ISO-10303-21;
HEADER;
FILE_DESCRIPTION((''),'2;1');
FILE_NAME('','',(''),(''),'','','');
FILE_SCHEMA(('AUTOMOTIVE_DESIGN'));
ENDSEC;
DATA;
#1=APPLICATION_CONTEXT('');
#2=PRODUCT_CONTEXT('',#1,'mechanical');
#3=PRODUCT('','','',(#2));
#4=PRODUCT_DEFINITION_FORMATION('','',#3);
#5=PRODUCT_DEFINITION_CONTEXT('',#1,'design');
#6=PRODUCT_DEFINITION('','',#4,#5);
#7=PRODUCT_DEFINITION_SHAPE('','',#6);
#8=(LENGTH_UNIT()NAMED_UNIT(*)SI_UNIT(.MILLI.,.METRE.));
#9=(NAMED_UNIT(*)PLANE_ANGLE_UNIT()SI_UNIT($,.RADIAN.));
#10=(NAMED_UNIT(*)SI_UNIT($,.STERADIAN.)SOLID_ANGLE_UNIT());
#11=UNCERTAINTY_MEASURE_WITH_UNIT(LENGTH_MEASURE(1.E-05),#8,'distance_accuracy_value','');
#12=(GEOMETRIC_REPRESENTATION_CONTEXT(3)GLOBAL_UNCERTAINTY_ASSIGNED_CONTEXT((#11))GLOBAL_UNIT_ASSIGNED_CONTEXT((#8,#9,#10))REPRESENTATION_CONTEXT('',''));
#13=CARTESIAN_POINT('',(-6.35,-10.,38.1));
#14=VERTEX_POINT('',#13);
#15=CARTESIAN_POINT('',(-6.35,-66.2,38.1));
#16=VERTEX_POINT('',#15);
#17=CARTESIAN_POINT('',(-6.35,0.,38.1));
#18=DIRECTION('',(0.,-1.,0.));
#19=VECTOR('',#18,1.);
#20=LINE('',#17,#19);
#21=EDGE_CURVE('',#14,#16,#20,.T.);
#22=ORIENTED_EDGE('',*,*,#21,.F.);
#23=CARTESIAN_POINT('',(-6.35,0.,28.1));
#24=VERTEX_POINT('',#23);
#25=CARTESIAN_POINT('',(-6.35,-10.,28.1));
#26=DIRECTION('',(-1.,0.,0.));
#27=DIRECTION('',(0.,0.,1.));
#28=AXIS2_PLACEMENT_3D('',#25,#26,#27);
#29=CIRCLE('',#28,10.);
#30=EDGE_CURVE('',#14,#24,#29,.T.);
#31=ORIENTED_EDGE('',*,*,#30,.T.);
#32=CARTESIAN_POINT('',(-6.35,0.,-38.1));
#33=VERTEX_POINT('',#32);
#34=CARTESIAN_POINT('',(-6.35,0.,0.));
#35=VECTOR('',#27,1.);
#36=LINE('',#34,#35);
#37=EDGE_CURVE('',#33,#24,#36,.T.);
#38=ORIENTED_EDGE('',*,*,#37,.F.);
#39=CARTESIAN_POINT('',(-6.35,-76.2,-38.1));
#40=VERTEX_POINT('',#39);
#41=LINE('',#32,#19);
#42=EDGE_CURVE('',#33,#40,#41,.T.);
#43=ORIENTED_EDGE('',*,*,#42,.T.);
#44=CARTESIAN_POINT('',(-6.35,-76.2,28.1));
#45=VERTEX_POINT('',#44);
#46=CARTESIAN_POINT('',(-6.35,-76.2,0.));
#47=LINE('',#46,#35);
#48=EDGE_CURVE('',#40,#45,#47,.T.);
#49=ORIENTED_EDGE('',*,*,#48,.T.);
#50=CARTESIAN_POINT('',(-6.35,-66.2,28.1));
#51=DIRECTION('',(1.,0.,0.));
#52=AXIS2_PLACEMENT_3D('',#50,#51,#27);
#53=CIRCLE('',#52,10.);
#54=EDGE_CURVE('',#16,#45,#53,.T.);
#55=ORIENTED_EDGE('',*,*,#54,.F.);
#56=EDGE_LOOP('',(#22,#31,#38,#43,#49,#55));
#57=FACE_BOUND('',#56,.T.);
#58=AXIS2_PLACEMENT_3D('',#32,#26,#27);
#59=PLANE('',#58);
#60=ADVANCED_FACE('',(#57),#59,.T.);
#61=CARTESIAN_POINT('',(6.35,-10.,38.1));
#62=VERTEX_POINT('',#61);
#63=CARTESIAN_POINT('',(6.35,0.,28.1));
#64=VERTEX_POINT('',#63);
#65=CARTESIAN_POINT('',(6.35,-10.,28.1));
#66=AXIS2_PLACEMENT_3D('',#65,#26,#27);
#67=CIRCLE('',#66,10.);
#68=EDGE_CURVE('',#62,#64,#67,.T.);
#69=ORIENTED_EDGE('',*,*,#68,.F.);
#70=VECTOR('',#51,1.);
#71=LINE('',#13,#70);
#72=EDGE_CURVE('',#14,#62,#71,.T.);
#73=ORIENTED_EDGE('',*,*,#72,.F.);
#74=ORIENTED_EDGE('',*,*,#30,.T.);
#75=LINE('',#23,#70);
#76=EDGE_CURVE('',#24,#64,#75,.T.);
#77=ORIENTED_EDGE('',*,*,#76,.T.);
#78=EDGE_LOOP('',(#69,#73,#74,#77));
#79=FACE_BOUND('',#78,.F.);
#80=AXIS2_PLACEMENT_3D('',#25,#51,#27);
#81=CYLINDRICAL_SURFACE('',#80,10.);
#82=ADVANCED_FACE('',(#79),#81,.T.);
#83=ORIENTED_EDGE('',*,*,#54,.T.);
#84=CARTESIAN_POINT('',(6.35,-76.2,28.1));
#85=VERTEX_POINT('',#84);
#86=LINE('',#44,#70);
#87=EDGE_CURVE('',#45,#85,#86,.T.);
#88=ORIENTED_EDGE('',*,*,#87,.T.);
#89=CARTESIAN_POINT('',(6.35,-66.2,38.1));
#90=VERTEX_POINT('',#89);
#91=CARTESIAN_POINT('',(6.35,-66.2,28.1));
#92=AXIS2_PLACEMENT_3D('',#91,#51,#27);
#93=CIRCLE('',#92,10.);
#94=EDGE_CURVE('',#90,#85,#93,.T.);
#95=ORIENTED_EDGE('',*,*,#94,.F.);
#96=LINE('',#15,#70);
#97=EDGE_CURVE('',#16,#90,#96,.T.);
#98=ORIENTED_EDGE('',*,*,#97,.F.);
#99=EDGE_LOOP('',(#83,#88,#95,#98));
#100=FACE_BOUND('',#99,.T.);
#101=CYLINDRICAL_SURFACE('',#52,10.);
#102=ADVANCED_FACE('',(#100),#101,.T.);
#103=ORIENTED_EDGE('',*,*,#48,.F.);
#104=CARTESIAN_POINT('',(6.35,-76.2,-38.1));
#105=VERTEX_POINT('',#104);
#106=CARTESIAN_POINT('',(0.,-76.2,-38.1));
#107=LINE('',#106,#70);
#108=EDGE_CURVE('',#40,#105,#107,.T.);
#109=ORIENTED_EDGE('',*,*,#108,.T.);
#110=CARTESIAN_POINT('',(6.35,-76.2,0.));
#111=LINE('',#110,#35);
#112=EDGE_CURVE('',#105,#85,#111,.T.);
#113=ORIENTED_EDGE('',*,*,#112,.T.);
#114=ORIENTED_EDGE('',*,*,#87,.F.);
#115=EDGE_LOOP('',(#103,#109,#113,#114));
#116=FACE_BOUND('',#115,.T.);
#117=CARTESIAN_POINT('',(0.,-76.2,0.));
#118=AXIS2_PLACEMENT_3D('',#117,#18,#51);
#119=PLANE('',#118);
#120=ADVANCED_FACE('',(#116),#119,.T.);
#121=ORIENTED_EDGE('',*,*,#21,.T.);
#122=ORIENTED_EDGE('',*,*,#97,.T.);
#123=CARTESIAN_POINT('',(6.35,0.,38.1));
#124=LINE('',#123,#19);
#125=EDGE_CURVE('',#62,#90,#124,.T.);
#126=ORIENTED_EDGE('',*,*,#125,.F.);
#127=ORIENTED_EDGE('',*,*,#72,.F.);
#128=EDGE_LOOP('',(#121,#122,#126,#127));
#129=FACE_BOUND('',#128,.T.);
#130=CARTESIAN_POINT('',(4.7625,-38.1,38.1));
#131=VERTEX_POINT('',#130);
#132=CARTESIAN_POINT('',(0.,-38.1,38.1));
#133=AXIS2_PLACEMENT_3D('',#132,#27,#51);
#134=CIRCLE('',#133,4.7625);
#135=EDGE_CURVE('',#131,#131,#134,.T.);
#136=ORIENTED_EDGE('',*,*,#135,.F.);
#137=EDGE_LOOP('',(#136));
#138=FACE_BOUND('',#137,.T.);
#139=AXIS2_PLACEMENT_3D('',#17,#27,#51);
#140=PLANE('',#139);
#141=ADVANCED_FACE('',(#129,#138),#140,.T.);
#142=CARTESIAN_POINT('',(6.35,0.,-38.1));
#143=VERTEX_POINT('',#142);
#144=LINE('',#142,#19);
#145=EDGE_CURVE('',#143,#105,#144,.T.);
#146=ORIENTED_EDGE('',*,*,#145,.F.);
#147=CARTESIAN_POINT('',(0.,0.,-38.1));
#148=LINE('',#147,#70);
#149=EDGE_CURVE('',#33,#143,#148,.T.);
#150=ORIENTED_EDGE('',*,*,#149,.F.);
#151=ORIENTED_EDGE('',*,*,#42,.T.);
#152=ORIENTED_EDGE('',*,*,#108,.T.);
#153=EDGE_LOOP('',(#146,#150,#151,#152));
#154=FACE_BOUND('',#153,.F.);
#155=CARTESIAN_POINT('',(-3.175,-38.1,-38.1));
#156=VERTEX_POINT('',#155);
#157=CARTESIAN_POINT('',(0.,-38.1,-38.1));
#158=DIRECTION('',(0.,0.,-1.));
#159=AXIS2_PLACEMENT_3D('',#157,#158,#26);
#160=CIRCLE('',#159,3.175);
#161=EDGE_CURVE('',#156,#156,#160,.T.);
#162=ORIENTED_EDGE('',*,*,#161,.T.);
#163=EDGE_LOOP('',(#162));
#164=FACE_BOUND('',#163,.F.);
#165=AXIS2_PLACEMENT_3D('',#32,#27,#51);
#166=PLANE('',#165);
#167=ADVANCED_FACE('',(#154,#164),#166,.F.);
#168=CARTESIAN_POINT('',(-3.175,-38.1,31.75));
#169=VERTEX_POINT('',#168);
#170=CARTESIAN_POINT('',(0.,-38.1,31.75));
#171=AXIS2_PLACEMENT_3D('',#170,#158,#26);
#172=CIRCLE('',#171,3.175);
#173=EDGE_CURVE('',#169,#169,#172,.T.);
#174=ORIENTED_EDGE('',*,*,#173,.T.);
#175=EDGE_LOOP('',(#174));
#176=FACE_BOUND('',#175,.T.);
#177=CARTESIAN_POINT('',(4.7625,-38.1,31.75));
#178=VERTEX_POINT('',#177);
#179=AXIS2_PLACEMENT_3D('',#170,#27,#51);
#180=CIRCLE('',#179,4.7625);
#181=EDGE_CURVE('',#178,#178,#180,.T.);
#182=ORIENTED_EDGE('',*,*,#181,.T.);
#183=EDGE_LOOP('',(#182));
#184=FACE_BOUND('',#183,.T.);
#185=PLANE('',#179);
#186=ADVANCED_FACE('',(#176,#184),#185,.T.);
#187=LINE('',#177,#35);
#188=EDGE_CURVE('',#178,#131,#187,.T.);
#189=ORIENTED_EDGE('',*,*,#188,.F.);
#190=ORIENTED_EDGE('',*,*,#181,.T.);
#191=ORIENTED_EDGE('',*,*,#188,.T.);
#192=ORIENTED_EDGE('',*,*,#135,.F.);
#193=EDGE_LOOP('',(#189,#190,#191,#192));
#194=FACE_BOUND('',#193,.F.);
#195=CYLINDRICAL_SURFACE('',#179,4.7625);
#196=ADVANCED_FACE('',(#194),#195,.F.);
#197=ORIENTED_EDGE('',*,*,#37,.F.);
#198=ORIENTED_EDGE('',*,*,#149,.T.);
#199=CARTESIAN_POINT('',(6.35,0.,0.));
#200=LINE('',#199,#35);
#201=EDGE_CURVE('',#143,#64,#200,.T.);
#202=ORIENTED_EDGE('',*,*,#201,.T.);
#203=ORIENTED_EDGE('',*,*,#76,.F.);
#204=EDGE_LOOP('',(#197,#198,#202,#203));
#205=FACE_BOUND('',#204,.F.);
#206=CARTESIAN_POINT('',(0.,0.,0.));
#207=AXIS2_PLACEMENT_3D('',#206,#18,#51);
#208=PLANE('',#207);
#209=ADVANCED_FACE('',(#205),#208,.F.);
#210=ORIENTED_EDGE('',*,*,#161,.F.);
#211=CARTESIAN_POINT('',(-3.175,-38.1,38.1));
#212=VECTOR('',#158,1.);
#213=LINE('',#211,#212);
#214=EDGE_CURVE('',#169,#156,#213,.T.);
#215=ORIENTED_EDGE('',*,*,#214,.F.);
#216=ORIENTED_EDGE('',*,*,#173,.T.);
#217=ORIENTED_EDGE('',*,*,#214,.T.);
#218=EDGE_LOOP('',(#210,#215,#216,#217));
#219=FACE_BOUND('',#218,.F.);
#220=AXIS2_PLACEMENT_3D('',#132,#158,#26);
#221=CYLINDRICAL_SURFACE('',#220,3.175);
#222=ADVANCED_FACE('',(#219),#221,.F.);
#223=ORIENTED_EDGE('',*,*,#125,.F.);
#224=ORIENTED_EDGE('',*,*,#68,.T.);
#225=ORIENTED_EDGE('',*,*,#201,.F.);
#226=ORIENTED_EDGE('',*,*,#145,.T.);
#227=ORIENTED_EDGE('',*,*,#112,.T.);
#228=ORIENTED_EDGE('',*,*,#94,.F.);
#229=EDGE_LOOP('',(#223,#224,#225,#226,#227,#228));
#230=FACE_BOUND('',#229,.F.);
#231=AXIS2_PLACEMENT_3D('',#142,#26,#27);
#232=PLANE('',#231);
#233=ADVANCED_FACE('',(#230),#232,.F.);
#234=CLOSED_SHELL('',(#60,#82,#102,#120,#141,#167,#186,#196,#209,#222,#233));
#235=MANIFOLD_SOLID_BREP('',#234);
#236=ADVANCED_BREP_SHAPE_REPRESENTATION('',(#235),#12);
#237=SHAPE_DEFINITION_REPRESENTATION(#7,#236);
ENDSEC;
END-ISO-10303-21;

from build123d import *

# Parameters (mm, degrees)
F0_W           = 12.7
F0_H           = 76.2
F1_DEPTH       = 76.2
F3_D           = 6.35
F3_CBORE_D     = 9.525
F3_CBORE_DEPTH = 6.35
F4_R           = 10


with BuildPart() as f1:
    # F0 (on Front) → F1 (new body)
    with BuildSketch(Plane.XZ):
        Rectangle(F0_W, F0_H)
    extrude(amount=F1_DEPTH)

    # F3 (through all)
    with Locations(Plane.XY.offset(38.1)):
        with Locations((0, -38.1)):
            CounterBoreHole(F3_D / 2, F3_CBORE_D / 2, F3_CBORE_DEPTH)

    # F4
    f4_edges = [f1.edges().sort_by_distance(p)[0] for p in [
        (0, -76.2, 38.1),
        (0, 0, 38.1),
    ]]
    fillet(f4_edges, radius=F4_R)


solid = f1.part
